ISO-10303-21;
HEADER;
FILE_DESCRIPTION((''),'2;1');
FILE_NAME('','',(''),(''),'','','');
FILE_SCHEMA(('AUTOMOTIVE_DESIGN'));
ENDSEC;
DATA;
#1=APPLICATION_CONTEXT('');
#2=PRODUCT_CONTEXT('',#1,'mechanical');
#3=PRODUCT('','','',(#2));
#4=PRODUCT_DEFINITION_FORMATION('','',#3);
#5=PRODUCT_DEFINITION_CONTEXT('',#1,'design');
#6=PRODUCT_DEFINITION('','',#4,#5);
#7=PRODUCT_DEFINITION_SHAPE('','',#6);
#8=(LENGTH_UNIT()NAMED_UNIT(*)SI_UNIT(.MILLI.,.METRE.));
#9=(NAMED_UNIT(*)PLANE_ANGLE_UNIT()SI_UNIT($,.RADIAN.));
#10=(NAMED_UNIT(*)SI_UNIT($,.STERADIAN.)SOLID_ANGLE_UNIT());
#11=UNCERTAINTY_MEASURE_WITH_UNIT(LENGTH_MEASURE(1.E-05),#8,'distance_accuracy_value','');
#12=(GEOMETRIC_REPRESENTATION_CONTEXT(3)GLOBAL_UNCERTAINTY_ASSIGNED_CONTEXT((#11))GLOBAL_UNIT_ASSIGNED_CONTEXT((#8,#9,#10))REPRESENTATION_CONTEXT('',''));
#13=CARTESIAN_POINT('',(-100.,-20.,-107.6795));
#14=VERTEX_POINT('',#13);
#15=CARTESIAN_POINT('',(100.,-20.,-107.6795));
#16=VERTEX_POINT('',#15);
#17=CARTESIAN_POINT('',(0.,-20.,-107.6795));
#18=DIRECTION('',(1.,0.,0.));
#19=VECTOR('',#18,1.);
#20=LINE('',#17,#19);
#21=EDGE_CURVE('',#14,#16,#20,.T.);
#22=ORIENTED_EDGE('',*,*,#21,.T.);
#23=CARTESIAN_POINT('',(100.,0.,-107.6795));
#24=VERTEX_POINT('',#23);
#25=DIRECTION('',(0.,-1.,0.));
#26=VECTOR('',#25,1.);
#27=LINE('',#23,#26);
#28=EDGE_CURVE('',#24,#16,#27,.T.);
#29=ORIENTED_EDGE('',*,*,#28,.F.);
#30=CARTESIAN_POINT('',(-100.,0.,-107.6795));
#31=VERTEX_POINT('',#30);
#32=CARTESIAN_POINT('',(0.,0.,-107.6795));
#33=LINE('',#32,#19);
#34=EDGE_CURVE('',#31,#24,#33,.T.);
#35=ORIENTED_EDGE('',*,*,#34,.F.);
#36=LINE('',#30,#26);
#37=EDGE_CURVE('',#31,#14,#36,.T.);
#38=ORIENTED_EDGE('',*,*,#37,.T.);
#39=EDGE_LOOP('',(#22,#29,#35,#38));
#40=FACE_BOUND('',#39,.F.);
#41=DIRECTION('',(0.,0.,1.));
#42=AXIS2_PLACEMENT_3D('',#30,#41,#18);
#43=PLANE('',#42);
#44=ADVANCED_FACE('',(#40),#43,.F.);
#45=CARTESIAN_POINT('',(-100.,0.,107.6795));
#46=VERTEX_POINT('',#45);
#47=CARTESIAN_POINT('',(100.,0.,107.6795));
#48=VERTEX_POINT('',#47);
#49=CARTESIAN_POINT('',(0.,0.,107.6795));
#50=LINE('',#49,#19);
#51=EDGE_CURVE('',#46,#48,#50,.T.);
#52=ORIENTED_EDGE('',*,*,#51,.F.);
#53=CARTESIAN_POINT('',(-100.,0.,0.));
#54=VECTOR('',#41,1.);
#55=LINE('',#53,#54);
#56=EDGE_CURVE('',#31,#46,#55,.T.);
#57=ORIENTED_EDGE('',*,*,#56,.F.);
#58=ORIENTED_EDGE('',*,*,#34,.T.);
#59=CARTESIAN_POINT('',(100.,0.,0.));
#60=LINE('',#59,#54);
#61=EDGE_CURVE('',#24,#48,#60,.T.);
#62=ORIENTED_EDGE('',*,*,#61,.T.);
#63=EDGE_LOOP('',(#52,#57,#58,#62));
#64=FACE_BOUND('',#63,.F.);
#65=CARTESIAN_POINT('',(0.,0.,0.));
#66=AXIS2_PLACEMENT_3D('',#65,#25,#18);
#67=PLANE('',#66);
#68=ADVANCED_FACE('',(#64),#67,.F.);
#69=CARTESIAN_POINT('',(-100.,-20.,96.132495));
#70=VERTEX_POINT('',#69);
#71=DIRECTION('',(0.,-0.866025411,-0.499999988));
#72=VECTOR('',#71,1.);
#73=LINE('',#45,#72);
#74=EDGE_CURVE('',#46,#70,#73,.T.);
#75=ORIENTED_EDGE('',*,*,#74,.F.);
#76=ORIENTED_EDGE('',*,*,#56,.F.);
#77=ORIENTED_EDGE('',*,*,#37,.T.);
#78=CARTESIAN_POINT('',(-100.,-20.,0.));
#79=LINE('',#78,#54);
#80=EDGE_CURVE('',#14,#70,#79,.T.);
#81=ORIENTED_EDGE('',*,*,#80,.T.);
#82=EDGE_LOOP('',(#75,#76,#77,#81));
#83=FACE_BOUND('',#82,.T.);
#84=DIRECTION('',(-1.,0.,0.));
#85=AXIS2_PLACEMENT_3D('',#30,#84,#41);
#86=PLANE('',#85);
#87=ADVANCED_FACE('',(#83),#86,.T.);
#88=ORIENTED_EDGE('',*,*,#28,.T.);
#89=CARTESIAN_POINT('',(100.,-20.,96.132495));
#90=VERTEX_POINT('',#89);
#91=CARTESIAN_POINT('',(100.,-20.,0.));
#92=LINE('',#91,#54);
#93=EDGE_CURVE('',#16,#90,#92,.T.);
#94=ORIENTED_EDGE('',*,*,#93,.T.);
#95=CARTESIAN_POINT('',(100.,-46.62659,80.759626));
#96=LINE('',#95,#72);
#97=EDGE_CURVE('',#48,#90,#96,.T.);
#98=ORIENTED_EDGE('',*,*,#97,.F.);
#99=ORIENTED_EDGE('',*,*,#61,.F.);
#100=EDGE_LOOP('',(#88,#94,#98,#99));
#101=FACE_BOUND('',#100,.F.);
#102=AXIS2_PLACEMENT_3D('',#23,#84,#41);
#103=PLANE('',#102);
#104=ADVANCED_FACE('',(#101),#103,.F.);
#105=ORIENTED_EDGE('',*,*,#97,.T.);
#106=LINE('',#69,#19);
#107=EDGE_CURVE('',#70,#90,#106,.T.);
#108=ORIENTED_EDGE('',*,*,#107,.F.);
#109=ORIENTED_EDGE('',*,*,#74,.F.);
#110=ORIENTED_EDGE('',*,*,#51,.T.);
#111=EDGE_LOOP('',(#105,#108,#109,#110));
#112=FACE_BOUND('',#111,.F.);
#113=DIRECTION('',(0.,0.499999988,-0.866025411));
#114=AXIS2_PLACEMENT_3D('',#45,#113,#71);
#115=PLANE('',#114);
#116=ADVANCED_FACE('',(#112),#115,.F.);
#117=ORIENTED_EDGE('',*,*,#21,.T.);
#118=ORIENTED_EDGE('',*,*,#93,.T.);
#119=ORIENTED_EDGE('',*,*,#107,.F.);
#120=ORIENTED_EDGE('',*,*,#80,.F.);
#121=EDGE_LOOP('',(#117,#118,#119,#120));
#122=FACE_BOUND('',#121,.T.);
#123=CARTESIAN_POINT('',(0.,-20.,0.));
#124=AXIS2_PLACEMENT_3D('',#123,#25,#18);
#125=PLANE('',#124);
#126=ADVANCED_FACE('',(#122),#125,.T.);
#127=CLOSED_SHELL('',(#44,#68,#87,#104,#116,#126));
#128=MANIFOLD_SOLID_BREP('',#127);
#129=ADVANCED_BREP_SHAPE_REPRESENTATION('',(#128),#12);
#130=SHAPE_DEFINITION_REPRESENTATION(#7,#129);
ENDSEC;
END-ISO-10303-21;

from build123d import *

# Parameters (mm, degrees)
F0_W     = 200
F0_H     = 215.359
F1_DEPTH = 20
F3_DEPTH = 200.001


with BuildPart() as f1:
    # F0 (on Front) → F1 (new body)
    with BuildSketch(Plane.XZ):
        Rectangle(F0_W, F0_H)
    extrude(amount=F1_DEPTH)

    # F2 (on face) → F3 (cut, through all)
    with BuildSketch(Plane(origin=(-100, 0, 0), x_dir=(0, -1, 0), z_dir=(-1, 0, 0))):
        Polygon((20, 107.6795), (0, 107.6795), (20, 96.132495), align=None)
    extrude(amount=-F3_DEPTH, mode=Mode.SUBTRACT)


solid = f1.part
